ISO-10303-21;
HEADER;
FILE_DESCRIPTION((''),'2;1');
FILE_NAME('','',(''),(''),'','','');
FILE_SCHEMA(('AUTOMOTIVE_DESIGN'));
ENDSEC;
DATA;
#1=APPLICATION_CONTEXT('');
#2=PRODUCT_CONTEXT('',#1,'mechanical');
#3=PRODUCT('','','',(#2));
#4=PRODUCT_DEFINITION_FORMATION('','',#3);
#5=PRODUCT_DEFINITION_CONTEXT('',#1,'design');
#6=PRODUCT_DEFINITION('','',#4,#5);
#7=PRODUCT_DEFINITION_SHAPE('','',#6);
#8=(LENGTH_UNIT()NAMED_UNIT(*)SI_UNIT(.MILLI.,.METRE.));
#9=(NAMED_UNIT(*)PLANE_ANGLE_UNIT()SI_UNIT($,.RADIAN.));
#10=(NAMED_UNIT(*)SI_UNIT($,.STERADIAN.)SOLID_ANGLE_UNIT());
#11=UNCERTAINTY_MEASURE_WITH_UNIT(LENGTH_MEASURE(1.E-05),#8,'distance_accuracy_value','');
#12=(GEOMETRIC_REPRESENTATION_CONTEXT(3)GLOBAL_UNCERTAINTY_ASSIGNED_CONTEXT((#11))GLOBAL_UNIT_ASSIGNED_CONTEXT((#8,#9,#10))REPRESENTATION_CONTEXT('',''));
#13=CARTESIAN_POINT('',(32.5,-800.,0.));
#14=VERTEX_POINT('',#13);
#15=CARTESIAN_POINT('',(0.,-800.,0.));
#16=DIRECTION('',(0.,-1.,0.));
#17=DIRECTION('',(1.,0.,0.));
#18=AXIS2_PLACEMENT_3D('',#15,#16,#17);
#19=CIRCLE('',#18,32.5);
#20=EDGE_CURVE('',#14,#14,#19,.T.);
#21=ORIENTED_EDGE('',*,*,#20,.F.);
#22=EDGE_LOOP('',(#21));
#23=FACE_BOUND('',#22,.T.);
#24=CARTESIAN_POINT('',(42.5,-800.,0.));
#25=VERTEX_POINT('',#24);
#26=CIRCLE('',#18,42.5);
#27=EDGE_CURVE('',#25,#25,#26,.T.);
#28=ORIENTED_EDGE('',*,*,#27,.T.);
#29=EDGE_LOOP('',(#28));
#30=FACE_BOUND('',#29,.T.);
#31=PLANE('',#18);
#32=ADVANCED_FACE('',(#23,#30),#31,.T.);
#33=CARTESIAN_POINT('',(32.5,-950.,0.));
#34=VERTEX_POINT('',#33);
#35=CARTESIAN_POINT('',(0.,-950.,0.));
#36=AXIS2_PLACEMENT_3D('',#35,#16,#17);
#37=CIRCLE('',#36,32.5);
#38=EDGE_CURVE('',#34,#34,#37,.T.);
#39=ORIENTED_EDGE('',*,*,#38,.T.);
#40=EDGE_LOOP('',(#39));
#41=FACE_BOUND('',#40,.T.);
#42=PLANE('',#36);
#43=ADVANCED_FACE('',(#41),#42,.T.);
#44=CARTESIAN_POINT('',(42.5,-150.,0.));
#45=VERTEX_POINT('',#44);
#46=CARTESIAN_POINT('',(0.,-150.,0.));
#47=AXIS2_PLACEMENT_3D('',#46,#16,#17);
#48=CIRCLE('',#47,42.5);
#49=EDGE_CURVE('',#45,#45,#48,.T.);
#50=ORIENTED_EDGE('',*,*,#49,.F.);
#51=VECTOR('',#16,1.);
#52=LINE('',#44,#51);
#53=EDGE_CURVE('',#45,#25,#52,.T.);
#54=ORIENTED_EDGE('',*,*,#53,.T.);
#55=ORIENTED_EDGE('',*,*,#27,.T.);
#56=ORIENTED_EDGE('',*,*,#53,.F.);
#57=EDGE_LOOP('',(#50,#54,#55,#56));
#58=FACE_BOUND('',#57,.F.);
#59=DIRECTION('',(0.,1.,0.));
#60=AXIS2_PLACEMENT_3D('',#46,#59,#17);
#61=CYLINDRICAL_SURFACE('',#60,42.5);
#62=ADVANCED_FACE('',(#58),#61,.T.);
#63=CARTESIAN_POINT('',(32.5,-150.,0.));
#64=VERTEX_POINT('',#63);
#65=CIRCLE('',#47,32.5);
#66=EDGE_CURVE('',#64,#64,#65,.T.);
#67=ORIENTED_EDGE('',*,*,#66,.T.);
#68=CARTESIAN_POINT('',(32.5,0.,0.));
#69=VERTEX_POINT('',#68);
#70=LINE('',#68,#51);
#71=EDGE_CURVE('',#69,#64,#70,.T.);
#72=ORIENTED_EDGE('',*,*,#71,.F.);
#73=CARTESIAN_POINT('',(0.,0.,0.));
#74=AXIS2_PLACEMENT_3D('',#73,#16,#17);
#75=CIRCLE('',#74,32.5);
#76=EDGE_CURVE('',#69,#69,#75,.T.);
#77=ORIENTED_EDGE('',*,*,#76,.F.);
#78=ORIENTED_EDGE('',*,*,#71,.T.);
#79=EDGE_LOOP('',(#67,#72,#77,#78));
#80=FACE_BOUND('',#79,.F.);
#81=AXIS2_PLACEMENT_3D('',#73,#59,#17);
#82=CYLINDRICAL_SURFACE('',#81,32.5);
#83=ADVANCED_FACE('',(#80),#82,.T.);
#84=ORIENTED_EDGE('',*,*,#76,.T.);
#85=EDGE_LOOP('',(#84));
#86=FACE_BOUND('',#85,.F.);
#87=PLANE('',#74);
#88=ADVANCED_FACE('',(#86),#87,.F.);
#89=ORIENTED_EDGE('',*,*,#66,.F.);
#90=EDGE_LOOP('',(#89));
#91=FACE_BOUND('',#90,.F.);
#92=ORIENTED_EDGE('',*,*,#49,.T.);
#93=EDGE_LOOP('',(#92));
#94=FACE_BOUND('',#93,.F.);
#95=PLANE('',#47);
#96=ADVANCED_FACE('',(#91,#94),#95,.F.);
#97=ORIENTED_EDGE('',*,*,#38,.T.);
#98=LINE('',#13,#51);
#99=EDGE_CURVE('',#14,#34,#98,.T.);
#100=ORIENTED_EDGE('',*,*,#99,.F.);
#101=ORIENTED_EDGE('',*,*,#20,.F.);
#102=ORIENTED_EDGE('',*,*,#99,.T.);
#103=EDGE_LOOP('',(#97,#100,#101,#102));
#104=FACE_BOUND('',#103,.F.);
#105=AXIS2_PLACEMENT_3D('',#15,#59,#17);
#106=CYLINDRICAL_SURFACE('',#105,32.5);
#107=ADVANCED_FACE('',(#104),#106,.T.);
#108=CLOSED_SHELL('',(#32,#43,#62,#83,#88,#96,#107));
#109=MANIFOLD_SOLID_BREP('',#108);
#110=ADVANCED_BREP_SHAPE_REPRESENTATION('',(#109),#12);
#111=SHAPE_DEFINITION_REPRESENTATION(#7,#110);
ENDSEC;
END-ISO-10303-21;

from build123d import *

# Parameters (mm, degrees)
F0_R     = 32.5
F1_DEPTH = 150
F2_R     = 42.5
F2_R_2   = 32.5
F3_DEPTH = 650
F4_R     = 32.5
F5_DEPTH = 150


with BuildPart() as f1:
    # F0 (on Front) → F1 (new body)
    with BuildSketch(Plane.XZ):
        Circle(F0_R)
    extrude(amount=F1_DEPTH)

    # F2 (on face) → F3 (join)
    with BuildSketch(Plane.XZ.offset(150)):
        Circle(F2_R)
        Circle(F2_R_2, mode=Mode.SUBTRACT)
        Circle(F2_R_2)
    extrude(amount=F3_DEPTH)

    # F4 (on face) → F5 (join)
    with BuildSketch(Plane.XZ.offset(800)):
        Circle(F4_R)
    extrude(amount=F5_DEPTH)


solid = f1.part
